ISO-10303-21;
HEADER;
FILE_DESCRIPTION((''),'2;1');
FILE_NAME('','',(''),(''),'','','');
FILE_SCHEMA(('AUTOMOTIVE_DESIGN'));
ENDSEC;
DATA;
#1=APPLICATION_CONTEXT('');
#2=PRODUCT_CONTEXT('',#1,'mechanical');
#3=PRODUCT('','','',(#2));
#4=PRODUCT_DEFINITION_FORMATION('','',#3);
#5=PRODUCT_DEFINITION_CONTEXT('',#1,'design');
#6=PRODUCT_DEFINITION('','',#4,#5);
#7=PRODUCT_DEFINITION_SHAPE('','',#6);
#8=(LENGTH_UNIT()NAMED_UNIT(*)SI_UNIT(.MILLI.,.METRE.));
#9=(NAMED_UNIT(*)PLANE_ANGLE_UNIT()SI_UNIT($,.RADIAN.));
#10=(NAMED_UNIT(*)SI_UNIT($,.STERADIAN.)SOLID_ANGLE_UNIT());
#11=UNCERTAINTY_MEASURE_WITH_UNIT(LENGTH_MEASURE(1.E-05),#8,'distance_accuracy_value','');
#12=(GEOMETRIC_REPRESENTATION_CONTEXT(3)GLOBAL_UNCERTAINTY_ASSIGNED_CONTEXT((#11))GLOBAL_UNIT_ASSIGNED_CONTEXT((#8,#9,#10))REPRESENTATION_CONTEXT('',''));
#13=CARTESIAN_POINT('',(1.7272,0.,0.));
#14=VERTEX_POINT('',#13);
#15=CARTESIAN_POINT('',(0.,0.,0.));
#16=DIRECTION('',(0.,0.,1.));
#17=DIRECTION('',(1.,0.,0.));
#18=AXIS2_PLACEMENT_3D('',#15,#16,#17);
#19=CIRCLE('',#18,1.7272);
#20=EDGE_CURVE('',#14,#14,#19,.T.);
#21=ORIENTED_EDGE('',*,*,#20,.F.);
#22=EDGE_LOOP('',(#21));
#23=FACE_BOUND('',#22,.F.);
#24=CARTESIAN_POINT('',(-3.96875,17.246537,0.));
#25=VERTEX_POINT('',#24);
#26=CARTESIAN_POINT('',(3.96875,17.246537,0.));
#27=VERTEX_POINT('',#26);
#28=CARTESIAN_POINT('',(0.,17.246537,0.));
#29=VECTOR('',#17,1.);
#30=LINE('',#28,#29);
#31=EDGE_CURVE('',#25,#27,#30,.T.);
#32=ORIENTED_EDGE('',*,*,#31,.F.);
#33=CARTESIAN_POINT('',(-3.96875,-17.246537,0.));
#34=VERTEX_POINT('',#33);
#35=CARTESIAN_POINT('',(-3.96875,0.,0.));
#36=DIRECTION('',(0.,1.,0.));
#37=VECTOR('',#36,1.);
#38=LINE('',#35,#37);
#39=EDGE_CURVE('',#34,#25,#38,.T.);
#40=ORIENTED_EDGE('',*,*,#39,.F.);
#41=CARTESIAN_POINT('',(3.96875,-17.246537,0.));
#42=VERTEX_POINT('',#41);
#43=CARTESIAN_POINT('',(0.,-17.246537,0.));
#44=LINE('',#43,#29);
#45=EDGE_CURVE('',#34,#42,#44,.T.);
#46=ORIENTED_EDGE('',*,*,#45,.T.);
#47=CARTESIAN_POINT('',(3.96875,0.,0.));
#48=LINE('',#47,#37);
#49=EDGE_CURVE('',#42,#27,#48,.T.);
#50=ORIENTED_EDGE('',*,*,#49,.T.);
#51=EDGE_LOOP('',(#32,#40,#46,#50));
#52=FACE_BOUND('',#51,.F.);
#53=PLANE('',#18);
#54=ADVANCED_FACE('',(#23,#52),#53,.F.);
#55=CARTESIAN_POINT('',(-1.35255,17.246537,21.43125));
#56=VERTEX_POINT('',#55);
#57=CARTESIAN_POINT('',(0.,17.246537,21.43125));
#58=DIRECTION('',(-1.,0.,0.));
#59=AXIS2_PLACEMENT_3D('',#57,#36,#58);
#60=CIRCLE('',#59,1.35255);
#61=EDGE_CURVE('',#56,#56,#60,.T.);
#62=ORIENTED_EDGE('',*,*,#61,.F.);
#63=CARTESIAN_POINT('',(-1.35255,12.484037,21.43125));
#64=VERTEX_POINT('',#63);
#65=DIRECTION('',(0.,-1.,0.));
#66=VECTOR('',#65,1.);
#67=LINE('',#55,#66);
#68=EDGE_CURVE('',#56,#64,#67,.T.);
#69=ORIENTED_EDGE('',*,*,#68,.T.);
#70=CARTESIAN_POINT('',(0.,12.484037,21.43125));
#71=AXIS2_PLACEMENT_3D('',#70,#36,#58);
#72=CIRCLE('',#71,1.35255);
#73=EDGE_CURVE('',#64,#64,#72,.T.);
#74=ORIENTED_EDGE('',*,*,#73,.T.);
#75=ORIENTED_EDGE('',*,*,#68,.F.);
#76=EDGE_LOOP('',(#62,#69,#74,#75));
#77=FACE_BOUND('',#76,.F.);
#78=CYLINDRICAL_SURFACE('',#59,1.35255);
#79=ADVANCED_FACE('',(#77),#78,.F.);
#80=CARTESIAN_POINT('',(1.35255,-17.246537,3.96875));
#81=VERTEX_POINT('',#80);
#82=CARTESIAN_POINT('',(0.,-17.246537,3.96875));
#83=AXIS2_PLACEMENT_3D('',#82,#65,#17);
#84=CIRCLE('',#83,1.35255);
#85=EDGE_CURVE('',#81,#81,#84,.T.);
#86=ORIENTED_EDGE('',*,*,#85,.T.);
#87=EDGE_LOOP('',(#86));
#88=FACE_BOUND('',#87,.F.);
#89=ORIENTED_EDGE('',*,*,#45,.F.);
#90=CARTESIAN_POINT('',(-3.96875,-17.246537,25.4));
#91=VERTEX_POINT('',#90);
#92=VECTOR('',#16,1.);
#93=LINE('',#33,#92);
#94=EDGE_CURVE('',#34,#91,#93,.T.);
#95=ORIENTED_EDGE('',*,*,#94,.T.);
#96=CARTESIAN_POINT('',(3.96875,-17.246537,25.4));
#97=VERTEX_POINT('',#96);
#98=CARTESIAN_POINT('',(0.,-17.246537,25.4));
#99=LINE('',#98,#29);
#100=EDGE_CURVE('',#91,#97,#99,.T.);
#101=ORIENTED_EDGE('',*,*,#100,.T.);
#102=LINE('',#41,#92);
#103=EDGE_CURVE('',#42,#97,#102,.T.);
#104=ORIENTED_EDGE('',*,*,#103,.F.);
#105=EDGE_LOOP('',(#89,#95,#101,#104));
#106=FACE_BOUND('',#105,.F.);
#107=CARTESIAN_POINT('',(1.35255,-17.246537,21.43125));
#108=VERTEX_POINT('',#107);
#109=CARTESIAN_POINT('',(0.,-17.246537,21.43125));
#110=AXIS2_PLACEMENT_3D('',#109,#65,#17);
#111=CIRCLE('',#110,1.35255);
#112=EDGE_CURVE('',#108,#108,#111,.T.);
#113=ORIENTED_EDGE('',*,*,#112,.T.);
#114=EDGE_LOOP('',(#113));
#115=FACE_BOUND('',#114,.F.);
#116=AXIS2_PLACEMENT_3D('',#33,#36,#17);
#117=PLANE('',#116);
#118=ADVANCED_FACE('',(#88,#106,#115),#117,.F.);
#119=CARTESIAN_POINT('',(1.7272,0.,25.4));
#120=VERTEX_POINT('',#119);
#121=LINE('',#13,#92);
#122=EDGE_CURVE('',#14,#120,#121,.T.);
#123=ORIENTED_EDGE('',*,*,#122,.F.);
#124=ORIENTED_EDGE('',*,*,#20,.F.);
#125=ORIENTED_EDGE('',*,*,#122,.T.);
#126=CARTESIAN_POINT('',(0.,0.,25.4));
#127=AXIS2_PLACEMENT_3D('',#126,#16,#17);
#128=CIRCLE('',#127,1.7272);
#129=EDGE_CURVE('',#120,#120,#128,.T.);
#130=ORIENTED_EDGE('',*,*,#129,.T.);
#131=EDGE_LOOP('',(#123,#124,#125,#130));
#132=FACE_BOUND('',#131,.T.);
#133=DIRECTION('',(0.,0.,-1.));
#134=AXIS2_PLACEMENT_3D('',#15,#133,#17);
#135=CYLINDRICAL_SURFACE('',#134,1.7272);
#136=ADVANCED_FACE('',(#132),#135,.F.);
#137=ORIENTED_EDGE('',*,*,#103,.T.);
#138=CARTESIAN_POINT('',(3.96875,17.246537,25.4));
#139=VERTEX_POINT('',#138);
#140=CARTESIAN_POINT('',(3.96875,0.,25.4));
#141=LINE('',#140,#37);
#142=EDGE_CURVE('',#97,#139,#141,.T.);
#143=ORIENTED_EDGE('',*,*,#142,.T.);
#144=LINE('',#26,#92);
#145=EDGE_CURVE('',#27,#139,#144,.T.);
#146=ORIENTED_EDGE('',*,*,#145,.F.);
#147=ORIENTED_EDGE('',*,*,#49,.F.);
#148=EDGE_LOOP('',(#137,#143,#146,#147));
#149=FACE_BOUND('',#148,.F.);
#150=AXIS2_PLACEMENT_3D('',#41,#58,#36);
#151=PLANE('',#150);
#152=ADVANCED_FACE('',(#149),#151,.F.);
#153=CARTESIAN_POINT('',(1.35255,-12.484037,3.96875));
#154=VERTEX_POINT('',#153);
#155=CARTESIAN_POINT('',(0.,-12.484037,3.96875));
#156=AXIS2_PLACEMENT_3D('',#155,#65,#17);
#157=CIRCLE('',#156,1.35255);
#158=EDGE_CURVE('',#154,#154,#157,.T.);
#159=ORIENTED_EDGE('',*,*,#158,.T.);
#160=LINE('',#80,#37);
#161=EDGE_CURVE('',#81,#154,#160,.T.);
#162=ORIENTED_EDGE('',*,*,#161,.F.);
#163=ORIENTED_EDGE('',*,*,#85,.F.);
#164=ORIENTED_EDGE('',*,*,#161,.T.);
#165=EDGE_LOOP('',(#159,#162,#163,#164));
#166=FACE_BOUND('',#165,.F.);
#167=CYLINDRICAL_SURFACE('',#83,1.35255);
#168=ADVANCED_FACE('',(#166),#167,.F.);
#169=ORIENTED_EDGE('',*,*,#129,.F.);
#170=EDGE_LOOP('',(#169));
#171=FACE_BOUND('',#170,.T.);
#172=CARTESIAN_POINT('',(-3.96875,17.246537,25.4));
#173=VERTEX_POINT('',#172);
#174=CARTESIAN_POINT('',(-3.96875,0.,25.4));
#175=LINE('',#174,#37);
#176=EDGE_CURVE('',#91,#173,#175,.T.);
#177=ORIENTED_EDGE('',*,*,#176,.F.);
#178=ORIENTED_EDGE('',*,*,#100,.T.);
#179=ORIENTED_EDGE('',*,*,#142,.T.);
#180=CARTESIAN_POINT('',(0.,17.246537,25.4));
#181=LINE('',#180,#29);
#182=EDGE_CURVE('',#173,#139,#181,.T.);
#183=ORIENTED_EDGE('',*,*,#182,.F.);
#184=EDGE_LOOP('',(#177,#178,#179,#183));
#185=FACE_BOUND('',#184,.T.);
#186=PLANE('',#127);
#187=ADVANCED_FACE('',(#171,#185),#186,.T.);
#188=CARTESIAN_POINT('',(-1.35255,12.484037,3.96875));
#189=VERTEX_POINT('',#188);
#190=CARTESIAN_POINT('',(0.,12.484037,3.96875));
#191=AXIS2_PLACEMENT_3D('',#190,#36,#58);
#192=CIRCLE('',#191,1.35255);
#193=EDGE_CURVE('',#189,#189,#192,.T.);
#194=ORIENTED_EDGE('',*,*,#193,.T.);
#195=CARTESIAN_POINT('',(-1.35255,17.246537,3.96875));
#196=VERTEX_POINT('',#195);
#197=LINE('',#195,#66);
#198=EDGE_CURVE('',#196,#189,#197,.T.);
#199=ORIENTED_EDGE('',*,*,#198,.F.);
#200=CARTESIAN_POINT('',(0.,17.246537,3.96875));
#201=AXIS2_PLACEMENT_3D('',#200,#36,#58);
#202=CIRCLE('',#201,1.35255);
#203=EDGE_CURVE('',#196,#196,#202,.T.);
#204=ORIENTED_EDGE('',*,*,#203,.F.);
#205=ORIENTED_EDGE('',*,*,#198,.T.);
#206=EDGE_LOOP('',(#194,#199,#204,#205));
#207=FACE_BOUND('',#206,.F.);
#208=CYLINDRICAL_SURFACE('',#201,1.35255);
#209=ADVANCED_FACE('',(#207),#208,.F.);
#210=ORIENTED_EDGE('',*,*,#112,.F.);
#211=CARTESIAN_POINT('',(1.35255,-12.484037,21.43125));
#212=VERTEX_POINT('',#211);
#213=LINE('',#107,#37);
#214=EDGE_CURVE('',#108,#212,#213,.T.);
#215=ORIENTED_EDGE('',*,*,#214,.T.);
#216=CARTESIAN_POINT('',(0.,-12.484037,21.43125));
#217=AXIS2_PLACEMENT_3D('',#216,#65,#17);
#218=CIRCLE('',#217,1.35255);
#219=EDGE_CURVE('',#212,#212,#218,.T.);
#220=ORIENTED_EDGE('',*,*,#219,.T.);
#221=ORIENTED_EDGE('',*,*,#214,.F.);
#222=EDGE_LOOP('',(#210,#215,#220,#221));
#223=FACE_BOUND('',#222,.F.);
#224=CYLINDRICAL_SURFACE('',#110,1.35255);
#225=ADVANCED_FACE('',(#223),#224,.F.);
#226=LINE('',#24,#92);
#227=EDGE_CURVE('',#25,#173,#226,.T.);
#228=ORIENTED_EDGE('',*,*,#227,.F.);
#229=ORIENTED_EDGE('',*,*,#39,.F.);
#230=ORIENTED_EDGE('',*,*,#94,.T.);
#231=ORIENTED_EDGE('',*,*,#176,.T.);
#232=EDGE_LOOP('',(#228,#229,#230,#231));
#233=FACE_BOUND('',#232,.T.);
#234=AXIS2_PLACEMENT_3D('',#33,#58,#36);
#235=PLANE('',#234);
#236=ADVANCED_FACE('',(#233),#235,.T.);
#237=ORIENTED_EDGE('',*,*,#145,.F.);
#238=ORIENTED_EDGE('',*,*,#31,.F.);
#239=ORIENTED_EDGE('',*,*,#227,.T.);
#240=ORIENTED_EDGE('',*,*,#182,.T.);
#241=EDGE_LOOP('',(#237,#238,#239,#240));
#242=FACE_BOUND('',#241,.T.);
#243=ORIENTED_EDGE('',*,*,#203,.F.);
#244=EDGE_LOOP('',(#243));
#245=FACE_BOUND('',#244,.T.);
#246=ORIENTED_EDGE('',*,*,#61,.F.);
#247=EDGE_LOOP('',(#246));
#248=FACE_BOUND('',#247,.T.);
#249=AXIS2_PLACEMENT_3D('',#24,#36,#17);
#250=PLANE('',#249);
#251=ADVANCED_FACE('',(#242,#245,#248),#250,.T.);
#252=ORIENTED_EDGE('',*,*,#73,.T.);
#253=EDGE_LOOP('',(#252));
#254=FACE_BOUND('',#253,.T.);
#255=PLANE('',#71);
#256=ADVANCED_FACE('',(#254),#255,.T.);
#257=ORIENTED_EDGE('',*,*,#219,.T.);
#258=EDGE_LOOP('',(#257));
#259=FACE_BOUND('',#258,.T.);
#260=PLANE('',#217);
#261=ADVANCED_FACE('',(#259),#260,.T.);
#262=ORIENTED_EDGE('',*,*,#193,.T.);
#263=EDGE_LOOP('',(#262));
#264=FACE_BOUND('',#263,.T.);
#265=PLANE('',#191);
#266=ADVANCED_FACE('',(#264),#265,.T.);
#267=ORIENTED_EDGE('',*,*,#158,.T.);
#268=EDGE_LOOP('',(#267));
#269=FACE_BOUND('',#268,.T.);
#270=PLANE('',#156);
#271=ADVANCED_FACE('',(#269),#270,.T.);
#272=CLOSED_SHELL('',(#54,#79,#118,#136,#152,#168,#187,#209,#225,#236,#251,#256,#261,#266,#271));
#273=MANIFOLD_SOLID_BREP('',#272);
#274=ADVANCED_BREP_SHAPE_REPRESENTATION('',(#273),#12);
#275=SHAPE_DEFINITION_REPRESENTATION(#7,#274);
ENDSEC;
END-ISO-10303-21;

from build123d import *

# Parameters (mm, degrees)
F0_W     = 7.9375
F0_H     = 34.493074
F0_R     = 1.7272
F1_DEPTH = 25.4
F2_R     = 1.35255
F3_DEPTH = 4.7625
F4_R     = 1.35255
F5_DEPTH = 4.7625


with BuildPart() as f1:
    # F0 (on Top) → F1 (new body)
    with BuildSketch(Plane.XY):
        Rectangle(F0_W, F0_H)
        Circle(F0_R, mode=Mode.SUBTRACT)
    extrude(amount=F1_DEPTH)

    # F2 (on face) → F3 (cut)
    with BuildSketch(Plane(origin=(0, 17.246537, 0), x_dir=(-1, 0, 0), z_dir=(0, 1, 0))):
        with Locations((0, 3.96875)):
            Circle(F2_R)
        with Locations((0, 21.43125)):
            Circle(F2_R)
    extrude(amount=-F3_DEPTH, mode=Mode.SUBTRACT)

    # F4 (on face) → F5 (cut)
    with BuildSketch(Plane.XZ.offset(17.246537)):
        with Locations((0, 21.43125)):
            Circle(F4_R)
        with Locations((0, 3.96875)):
            Circle(F4_R)
    extrude(amount=-F5_DEPTH, mode=Mode.SUBTRACT)


solid = f1.part
